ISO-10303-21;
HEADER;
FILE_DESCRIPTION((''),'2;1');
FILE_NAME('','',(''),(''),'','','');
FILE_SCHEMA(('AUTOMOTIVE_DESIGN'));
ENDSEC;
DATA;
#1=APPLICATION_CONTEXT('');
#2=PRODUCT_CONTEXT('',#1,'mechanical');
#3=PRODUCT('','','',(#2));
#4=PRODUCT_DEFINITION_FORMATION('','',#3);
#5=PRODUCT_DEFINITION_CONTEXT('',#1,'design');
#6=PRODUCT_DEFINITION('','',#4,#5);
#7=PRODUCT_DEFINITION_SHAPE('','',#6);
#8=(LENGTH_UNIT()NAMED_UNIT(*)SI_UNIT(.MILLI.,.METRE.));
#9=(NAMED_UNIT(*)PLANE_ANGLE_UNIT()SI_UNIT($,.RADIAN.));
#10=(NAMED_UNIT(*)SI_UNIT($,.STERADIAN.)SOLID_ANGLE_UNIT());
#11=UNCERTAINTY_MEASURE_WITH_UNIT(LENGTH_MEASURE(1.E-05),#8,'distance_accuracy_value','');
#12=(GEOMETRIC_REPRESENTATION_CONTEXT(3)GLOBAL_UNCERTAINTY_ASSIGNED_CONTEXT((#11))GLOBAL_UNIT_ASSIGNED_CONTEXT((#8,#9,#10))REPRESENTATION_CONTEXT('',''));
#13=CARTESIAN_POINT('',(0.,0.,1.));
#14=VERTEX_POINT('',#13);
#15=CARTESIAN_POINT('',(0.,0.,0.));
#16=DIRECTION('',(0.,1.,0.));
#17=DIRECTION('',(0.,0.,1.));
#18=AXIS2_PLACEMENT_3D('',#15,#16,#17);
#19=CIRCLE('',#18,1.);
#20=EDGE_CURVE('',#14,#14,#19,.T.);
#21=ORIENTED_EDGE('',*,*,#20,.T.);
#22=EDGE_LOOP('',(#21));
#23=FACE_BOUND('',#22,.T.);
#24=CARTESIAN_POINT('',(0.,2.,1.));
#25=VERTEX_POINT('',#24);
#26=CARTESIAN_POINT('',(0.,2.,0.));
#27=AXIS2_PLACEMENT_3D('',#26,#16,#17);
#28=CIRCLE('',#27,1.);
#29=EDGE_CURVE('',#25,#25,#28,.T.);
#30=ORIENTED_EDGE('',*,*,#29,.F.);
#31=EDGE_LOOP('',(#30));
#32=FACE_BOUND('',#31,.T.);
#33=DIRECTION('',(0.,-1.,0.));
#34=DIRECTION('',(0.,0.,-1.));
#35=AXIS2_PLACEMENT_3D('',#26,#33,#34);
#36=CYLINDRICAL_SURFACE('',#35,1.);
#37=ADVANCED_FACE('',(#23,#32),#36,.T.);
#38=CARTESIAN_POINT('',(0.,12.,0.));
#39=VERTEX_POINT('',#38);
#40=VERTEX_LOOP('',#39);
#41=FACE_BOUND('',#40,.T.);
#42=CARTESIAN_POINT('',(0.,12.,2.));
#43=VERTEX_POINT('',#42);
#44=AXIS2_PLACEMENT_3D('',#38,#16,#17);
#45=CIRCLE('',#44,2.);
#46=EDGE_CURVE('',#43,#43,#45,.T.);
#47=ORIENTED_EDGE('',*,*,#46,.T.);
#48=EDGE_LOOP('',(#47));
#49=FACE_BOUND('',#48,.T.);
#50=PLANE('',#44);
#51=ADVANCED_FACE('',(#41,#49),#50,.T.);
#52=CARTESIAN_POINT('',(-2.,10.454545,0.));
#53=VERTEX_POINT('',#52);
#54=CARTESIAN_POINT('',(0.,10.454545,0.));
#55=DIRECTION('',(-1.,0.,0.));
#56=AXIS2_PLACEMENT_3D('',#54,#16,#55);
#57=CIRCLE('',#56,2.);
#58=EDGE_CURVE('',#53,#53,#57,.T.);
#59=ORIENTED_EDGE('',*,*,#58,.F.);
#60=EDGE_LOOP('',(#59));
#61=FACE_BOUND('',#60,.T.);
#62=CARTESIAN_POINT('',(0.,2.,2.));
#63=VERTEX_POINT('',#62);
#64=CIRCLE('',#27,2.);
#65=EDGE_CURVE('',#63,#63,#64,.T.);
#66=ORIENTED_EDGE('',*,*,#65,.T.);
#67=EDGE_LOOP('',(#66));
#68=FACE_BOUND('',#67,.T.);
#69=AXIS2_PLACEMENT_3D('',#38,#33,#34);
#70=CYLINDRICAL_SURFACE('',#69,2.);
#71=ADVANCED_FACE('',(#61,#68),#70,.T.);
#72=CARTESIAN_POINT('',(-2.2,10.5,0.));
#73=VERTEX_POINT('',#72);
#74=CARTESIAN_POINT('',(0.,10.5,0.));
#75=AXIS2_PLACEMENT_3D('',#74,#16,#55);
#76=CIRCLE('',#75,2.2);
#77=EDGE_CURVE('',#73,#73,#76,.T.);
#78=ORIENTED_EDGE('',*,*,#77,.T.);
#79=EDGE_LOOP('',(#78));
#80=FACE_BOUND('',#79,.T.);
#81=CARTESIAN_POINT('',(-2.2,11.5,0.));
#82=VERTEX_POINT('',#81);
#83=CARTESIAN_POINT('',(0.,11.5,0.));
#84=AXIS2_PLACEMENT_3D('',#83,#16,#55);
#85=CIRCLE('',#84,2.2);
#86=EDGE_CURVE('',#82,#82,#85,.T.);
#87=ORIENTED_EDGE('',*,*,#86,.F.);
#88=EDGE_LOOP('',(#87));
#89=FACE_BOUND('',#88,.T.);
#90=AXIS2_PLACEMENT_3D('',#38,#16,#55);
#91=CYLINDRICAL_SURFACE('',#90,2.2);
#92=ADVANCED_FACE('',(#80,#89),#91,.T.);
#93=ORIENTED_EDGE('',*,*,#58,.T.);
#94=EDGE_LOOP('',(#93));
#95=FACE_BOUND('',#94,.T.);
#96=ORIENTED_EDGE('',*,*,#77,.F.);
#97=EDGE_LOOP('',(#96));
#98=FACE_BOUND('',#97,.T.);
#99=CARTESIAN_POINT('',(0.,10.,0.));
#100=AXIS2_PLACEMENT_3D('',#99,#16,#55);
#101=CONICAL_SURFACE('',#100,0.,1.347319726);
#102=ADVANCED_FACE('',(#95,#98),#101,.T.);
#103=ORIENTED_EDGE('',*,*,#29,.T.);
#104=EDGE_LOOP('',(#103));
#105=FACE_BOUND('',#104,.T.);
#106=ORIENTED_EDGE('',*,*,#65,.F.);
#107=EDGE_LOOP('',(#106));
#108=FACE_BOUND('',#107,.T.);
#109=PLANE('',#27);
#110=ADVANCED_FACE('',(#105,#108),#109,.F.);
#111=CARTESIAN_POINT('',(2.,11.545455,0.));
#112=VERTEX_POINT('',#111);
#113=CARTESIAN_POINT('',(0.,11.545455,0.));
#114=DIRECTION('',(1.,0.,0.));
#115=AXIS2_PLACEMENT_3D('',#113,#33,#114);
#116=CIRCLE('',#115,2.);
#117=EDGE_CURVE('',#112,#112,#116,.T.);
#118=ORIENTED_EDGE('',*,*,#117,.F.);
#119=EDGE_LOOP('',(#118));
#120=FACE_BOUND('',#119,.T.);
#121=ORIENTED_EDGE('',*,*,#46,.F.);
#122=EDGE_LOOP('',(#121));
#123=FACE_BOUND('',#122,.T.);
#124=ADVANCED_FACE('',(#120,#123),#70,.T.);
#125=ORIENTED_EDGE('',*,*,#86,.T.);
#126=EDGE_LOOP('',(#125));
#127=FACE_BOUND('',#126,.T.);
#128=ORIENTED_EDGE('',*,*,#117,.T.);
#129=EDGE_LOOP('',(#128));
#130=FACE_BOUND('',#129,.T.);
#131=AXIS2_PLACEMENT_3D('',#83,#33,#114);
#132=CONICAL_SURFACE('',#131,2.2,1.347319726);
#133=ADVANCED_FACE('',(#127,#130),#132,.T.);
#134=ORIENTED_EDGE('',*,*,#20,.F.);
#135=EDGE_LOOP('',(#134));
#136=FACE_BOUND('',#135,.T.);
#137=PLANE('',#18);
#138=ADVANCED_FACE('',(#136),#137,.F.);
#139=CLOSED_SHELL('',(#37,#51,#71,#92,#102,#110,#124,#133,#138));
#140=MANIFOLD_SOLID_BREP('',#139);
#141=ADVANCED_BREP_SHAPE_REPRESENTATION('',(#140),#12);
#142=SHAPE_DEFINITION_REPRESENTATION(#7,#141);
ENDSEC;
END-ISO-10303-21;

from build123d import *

# Parameters (mm, degrees)
SKETCH_1_R      = 1
EXTRUDE_1_DEPTH = 2
SKETCH_2_R      = 2
EXTRUDE_2_DEPTH = 10


with BuildPart() as part:
    # 草图1 → 凸台-拉伸1 (new body)
    with BuildSketch(Plane(origin=(0, 0, 0), x_dir=(1, 0, 0), z_dir=(0, 1, 0))):
        with Locations(Location((0, 0, 0), (0, 0, 270))):
            Circle(SKETCH_1_R)
    extrude(amount=EXTRUDE_1_DEPTH)

    # 草图2 → 凸台-拉伸2 (add)
    with BuildSketch(Plane(origin=(0, 2, 0), x_dir=(1, 0, 0), z_dir=(0, 1, 0))):
        with Locations(Location((0, 0, 0), (0, 0, 270))):
            Circle(SKETCH_2_R)
    extrude(amount=EXTRUDE_2_DEPTH)

    # 草图3 → 旋转1 (revolve)
    with BuildSketch(Plane.XY, mode=Mode.PRIVATE) as revolve_1_sk:
        Polygon((0, 12), (0, 10), (2.2, 10.5), (2.2, 11.5), align=None)
    revolve(revolve_1_sk.sketch.rotate(Axis((0, 12, 0), (0, -1, 0)), 180), axis=Axis((0, 12, 0), (0, -1, 0)))


solid = part.part
